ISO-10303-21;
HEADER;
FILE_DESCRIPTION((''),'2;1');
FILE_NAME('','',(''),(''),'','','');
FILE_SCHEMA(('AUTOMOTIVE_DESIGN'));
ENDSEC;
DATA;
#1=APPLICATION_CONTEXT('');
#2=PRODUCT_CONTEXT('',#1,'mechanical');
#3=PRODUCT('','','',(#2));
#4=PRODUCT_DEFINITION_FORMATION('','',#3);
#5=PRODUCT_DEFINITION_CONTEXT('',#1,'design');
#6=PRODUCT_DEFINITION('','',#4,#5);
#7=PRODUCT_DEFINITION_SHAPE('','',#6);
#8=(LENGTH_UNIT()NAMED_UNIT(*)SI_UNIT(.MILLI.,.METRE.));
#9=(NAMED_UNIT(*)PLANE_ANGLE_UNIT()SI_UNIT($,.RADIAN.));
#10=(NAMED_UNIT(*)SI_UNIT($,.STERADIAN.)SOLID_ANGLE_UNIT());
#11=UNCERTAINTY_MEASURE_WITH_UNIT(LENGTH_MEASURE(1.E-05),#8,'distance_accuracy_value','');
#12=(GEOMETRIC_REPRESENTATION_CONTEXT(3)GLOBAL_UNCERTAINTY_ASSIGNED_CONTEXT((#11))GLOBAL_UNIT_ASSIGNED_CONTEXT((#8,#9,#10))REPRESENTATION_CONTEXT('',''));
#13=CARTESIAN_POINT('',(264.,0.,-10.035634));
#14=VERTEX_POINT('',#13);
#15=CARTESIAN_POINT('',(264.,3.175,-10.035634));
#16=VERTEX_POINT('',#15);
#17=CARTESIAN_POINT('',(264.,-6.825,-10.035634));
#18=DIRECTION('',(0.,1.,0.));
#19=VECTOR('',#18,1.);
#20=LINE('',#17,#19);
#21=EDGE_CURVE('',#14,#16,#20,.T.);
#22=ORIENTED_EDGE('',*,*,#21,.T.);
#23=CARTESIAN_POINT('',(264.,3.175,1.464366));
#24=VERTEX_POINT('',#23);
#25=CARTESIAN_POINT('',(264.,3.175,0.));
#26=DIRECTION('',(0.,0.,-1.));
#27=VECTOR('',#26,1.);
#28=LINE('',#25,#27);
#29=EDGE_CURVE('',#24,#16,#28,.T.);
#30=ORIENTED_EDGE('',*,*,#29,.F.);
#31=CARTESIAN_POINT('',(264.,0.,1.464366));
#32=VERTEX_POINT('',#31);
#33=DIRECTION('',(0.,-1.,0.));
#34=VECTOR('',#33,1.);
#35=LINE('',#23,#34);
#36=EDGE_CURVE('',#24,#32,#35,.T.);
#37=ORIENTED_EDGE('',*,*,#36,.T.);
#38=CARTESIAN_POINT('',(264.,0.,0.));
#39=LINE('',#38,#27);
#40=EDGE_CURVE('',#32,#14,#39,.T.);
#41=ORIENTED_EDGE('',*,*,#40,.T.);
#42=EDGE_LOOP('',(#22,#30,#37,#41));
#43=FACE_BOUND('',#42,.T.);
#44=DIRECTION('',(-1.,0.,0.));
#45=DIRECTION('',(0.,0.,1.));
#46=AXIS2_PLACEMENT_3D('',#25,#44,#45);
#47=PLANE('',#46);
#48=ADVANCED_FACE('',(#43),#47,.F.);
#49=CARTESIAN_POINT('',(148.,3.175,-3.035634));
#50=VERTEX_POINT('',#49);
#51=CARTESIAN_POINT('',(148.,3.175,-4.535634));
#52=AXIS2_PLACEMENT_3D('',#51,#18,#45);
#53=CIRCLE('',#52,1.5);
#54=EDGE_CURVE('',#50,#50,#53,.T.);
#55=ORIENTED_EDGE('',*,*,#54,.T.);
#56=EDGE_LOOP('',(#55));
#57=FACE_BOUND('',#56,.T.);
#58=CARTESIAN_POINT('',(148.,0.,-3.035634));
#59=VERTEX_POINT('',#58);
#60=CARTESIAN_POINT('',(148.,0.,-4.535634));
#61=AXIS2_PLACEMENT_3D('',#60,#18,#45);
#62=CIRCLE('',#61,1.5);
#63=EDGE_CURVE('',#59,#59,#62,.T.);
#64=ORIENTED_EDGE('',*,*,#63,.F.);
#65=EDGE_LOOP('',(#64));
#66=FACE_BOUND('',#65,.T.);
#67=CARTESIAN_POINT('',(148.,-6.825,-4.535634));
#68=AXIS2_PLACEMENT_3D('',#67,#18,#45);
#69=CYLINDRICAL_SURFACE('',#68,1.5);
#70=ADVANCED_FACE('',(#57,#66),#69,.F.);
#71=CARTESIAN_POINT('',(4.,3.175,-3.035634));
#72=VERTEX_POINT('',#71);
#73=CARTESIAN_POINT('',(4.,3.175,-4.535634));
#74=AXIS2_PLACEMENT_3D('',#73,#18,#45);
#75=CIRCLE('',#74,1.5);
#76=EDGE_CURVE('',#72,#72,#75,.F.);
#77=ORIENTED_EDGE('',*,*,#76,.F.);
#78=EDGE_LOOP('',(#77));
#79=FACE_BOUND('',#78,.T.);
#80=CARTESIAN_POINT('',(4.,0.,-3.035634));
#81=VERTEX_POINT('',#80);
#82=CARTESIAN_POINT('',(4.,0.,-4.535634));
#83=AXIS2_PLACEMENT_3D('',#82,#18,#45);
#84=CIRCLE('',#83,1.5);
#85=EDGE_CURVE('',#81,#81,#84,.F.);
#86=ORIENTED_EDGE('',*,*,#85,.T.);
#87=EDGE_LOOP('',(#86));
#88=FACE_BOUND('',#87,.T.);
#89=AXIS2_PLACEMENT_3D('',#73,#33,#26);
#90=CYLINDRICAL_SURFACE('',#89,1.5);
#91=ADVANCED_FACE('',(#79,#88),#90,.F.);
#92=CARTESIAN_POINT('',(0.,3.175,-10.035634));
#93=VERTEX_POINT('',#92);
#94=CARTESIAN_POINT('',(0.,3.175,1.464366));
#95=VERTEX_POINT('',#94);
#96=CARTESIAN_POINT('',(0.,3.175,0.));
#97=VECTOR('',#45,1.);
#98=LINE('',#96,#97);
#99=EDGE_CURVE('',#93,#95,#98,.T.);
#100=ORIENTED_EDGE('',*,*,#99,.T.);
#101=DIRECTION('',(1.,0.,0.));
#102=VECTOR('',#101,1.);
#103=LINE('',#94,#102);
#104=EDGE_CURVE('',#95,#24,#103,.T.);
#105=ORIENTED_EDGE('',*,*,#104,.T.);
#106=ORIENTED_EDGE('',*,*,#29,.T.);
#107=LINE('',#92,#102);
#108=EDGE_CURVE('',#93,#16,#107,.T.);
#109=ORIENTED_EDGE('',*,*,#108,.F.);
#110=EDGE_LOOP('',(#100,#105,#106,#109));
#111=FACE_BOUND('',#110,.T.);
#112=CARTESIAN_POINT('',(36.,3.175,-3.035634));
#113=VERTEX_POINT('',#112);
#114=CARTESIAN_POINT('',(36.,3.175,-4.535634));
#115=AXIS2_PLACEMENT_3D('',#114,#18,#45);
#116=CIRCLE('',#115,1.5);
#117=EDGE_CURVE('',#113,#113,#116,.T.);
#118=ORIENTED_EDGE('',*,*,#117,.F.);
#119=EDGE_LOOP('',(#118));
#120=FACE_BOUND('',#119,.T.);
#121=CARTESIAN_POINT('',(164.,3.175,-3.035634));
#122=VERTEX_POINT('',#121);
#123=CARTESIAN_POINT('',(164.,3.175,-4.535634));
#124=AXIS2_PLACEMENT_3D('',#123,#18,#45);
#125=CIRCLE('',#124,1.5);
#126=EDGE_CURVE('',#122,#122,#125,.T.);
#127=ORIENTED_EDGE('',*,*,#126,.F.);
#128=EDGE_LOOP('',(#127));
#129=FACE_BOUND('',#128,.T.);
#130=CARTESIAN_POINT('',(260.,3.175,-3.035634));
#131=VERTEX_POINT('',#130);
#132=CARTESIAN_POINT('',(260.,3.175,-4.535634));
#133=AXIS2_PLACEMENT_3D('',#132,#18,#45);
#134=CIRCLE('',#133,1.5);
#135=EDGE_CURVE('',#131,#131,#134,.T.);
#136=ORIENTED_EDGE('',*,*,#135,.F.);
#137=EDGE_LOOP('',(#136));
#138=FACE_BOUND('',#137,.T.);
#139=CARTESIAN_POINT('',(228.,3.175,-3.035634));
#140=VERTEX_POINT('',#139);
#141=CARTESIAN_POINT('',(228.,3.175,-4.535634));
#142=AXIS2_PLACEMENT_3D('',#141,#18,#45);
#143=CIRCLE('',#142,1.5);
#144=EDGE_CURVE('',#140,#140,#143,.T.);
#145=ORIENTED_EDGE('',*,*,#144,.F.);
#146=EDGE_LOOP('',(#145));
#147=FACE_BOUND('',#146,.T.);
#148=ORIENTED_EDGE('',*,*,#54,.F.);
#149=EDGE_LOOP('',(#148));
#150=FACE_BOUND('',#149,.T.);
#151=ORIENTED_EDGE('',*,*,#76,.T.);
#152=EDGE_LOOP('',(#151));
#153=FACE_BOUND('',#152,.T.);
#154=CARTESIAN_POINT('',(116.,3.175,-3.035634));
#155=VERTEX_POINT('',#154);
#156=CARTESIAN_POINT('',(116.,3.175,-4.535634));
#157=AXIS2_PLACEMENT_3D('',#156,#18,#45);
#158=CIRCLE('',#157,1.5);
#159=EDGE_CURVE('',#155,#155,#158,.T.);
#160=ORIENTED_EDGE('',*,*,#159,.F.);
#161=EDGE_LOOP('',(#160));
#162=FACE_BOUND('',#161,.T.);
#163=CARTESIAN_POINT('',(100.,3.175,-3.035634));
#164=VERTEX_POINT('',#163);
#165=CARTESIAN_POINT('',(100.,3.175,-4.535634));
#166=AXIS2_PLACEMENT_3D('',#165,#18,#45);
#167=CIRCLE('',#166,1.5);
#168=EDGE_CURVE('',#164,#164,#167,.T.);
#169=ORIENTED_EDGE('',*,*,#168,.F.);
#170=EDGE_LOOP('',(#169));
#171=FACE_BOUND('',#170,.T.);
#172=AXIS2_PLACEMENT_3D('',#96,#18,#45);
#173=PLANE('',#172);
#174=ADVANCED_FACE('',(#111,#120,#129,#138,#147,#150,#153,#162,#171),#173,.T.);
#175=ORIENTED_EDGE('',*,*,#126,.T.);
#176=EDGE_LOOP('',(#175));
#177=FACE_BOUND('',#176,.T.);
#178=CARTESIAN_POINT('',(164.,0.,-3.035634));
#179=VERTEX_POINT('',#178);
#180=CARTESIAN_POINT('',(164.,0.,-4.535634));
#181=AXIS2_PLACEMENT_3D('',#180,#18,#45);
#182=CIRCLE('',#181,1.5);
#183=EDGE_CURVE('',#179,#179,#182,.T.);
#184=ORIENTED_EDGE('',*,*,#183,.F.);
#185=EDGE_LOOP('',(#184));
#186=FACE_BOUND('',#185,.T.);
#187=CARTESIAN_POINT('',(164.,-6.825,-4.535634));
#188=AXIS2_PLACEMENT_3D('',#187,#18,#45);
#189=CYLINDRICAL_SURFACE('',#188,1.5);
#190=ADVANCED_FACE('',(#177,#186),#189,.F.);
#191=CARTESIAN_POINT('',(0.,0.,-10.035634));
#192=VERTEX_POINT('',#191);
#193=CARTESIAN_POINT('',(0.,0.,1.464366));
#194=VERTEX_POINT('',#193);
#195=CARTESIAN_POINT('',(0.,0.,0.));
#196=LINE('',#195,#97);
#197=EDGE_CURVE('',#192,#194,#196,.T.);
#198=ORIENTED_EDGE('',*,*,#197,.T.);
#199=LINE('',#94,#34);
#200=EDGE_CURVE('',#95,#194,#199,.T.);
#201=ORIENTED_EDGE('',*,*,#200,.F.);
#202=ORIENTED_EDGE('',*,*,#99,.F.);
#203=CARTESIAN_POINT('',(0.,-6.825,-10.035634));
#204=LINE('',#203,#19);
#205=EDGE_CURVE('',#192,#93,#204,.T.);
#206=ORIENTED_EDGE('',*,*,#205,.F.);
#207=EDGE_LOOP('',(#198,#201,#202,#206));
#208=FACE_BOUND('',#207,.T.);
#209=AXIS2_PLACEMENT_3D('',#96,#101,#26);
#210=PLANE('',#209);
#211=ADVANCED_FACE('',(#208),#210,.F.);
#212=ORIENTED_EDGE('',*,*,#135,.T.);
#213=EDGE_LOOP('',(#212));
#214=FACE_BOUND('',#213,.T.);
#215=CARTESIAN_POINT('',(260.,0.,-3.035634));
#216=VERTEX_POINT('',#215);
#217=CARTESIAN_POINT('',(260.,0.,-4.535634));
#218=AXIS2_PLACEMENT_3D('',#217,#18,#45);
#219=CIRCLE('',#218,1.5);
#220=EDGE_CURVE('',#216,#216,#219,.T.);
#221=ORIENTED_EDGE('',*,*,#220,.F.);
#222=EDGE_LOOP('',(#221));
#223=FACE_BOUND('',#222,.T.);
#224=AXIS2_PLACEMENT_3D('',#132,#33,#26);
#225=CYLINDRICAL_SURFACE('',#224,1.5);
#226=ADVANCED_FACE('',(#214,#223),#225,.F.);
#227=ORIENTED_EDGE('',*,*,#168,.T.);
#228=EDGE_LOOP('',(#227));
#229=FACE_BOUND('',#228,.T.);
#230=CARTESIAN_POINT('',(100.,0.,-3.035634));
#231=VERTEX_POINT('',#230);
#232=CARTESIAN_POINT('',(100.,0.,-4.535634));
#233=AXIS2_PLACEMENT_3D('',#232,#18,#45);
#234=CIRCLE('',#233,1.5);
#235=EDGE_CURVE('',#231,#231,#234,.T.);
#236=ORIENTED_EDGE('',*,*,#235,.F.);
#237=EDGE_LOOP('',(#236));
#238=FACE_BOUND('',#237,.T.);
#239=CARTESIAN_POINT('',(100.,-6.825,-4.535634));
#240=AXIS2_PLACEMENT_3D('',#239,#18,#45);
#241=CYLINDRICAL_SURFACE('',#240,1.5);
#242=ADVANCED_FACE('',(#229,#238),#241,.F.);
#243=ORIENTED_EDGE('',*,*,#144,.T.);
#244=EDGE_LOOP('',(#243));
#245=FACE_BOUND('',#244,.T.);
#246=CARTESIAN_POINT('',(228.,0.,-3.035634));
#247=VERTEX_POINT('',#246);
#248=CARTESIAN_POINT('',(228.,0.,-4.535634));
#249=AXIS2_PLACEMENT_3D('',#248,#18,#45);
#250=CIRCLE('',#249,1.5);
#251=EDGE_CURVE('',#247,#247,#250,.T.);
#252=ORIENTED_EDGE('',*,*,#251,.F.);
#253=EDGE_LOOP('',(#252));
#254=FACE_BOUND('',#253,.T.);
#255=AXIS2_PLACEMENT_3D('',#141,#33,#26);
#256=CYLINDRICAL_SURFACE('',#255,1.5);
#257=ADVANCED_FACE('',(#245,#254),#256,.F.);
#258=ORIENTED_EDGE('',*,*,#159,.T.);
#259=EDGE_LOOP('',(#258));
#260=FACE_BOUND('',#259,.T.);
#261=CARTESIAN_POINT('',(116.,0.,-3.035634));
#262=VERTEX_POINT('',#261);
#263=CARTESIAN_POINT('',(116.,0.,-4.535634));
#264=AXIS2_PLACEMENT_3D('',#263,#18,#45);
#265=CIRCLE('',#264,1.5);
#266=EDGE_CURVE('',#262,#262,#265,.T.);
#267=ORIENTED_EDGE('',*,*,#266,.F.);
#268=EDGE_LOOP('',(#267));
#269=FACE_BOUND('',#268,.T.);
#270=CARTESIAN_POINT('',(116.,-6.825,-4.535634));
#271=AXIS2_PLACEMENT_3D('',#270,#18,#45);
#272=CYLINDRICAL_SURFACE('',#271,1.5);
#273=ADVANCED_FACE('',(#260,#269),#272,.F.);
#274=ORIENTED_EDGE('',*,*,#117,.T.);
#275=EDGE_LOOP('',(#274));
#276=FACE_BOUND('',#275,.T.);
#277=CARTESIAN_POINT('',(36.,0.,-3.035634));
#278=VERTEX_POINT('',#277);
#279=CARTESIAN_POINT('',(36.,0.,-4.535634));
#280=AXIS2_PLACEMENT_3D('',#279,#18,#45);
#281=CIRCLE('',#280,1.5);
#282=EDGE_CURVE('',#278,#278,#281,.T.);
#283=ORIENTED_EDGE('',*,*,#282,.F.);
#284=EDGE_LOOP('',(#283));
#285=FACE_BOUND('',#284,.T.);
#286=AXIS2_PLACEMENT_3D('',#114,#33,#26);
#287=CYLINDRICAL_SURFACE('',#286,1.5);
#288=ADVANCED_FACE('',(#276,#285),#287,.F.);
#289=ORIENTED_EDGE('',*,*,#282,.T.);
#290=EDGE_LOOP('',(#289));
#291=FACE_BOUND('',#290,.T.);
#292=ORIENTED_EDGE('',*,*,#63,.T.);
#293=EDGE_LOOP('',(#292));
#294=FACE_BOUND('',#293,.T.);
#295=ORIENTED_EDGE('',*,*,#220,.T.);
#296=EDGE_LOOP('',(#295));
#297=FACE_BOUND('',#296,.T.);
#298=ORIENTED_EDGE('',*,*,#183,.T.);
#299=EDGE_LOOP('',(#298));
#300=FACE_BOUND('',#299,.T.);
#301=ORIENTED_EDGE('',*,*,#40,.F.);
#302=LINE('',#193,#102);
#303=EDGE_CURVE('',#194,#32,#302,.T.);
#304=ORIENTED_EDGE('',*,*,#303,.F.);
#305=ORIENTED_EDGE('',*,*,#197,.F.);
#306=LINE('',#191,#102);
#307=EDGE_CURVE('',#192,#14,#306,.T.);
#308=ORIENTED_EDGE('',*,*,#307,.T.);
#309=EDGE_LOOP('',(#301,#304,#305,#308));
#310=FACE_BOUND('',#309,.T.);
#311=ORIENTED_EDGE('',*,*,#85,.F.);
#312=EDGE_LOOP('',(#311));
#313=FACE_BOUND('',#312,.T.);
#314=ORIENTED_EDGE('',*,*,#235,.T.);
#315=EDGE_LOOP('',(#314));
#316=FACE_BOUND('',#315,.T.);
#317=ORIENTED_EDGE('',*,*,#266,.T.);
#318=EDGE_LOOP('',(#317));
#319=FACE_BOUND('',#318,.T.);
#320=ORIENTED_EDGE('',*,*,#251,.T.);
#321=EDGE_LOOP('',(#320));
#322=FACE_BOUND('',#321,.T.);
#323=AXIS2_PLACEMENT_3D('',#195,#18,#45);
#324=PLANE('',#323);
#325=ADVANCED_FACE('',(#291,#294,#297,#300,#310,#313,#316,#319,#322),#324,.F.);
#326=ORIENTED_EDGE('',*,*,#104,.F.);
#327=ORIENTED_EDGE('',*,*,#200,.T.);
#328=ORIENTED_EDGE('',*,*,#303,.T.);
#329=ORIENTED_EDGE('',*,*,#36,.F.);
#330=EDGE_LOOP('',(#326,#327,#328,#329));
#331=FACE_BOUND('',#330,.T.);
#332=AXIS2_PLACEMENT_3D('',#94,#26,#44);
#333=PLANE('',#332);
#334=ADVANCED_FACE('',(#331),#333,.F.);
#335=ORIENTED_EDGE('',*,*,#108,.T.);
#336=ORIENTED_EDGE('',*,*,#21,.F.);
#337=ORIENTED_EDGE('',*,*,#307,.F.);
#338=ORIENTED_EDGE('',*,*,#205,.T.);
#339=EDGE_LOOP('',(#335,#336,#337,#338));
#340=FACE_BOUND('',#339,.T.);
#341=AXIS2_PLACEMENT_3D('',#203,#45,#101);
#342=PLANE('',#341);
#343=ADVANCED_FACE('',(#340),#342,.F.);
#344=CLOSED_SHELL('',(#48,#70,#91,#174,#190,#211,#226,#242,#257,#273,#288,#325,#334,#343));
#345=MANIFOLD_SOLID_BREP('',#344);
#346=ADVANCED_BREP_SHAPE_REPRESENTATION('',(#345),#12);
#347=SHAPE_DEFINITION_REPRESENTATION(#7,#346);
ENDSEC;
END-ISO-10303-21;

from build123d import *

# Parameters (mm, degrees)
SKETCH1_R           = 1.5
SKETCH1_R_2         = 2
BOSS_EXTRUDE1_DEPTH = 3.175
SKETCH2_R           = 1.5
CUT_EXTRUDE1_DEPTH  = 10
SKETCH3_W           = 264
SKETCH3_H           = 13.5
CUT_EXTRUDE2_DEPTH  = 10
SKETCH4_W           = 264
SKETCH4_H           = 2
CUT_EXTRUDE3_DEPTH  = 10


with BuildPart() as part:
    # Sketch1 → Boss-Extrude1 (new body)
    with BuildSketch(Plane(origin=(0, 0, 0), x_dir=(1, 0, 0), z_dir=(0, 1, 0))):
        Polygon((0, -1.464365857), (264, -1.464365857), (264, 4.535634143), (264, 25.535634143), (0, 25.535634143), align=None)
        with Locations(Location((4, 4.535634143, 0), (0, 0, 270))):
            Circle(SKETCH1_R, mode=Mode.SUBTRACT)
        with Locations(Location((36, 4.535634143, 0), (0, 0, 270))):
            Circle(SKETCH1_R, mode=Mode.SUBTRACT)
        with Locations(Location((228, 4.535634143, 0), (0, 0, 270))):
            Circle(SKETCH1_R, mode=Mode.SUBTRACT)
        with Locations(Location((260, 4.535634143, 0), (0, 0, 270))):
            Circle(SKETCH1_R, mode=Mode.SUBTRACT)
        with Locations(Location((68, 21.535634143, 0), (0, 0, 270))):
            Circle(SKETCH1_R_2, mode=Mode.SUBTRACT)
        with Locations(Location((100, 21.535634143, 0), (0, 0, 270))):
            Circle(SKETCH1_R_2, mode=Mode.SUBTRACT)
        with Locations(Location((132, 21.535634143, 0), (0, 0, 270))):
            Circle(SKETCH1_R_2, mode=Mode.SUBTRACT)
        with Locations(Location((164, 21.535634143, 0), (0, 0, 270))):
            Circle(SKETCH1_R_2, mode=Mode.SUBTRACT)
        with Locations(Location((196, 21.535634143, 0), (0, 0, 270))):
            Circle(SKETCH1_R_2, mode=Mode.SUBTRACT)
    extrude(amount=BOSS_EXTRUDE1_DEPTH)

    # Sketch2 → Cut-Extrude1 (cut)
    with BuildSketch(Plane(origin=(0, 3.175, 0), x_dir=(1, 0, 0), z_dir=(0, 1, 0))):
        with Locations(Location((116, 4.535634143, 0), (0, 0, 270))):
            Circle(SKETCH2_R)
        with Locations(Location((148, 4.535634143, 0), (0, 0, 270))):
            Circle(SKETCH2_R)
        with Locations(Location((100, 4.535634143, 0), (0, 0, 270))):
            Circle(SKETCH2_R)
        with Locations(Location((164, 4.535634143, 0), (0, 0, 270))):
            Circle(SKETCH2_R)
    extrude(amount=-CUT_EXTRUDE1_DEPTH, mode=Mode.SUBTRACT)

    # Sketch3 → Cut-Extrude2 (cut)
    with BuildSketch(Plane(origin=(0, 3.175, 0), x_dir=(1, 0, 0), z_dir=(0, 1, 0))):
        with Locations((132, 18.785634143)):
            Rectangle(SKETCH3_W, SKETCH3_H)
    extrude(amount=-CUT_EXTRUDE2_DEPTH, mode=Mode.SUBTRACT)

    # Sketch4 → Cut-Extrude3 (cut)
    with BuildSketch(Plane(origin=(0, 3.175, 0), x_dir=(1, 0, 0), z_dir=(0, 1, 0))):
        with Locations((132, 11.035634143)):
            Rectangle(SKETCH4_W, SKETCH4_H)
    extrude(amount=-CUT_EXTRUDE3_DEPTH, mode=Mode.SUBTRACT)


solid = part.part
